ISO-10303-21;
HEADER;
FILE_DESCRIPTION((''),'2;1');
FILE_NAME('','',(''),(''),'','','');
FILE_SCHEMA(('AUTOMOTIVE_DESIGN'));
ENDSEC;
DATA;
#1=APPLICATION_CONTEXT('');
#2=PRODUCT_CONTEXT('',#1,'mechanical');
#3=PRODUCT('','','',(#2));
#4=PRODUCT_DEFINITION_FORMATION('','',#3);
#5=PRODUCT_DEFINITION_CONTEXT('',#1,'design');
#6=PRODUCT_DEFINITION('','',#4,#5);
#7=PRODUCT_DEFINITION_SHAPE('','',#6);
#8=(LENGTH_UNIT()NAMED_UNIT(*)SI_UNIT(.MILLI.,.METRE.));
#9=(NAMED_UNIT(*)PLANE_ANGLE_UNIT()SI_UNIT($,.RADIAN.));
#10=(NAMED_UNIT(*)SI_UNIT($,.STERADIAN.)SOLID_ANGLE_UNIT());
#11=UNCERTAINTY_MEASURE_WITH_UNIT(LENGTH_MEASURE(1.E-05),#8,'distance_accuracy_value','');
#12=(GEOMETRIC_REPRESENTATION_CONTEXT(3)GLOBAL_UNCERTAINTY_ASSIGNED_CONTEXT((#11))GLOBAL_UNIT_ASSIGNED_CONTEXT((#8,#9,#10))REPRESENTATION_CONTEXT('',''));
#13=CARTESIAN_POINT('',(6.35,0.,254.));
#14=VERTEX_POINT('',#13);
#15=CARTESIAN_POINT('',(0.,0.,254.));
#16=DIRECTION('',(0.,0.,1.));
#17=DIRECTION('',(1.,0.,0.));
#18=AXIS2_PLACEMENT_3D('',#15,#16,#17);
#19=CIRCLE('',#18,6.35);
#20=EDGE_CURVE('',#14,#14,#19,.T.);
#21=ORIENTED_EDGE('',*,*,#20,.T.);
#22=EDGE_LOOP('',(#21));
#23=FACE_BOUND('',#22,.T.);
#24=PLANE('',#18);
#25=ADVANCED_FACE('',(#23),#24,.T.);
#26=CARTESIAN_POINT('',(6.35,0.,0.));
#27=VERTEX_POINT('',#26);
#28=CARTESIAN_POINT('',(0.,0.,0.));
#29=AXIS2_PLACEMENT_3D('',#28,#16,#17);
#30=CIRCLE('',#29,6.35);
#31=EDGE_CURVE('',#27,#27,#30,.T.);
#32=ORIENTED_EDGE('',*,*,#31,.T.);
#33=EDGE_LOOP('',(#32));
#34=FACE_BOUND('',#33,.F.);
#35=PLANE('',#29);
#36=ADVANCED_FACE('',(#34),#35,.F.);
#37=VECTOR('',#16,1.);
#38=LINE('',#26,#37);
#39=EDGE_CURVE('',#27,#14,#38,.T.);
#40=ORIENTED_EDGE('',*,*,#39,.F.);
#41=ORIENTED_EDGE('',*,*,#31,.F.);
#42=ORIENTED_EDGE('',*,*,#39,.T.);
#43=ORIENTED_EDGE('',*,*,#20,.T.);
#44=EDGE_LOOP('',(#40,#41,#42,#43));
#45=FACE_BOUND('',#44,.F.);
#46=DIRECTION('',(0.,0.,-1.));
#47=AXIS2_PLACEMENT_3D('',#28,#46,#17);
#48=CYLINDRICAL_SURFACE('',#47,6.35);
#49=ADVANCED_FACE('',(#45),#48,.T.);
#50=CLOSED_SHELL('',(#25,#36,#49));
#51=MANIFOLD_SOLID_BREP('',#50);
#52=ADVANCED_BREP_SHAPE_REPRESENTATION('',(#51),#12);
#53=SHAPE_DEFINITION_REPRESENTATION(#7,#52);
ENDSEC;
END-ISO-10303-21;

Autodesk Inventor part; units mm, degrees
ref_plane "YZ Plane" through (0, 0, 0) normal (1, 0, 0) x (0, 1, 0)
ref_plane "XZ Plane" through (0, 0, 0) normal (0, 1, 0) x (-1, 0, 0)
ref_plane "XY Plane" through (0, 0, 0) normal (0, 0, 1) x (1, 0, 0)
sketch "Sketch1" plane through (0, 0, 0) normal (0, 0, 1) x (1, 0, 0)
  circle A0 centre (0, 0) radius 6.35
  dimension "d0" = 12.7
  dimension "d0" = 12.7
extrude "Extrusion1" add sketch "Sketch1" along normal blind 254
properties part number "An Axel"
